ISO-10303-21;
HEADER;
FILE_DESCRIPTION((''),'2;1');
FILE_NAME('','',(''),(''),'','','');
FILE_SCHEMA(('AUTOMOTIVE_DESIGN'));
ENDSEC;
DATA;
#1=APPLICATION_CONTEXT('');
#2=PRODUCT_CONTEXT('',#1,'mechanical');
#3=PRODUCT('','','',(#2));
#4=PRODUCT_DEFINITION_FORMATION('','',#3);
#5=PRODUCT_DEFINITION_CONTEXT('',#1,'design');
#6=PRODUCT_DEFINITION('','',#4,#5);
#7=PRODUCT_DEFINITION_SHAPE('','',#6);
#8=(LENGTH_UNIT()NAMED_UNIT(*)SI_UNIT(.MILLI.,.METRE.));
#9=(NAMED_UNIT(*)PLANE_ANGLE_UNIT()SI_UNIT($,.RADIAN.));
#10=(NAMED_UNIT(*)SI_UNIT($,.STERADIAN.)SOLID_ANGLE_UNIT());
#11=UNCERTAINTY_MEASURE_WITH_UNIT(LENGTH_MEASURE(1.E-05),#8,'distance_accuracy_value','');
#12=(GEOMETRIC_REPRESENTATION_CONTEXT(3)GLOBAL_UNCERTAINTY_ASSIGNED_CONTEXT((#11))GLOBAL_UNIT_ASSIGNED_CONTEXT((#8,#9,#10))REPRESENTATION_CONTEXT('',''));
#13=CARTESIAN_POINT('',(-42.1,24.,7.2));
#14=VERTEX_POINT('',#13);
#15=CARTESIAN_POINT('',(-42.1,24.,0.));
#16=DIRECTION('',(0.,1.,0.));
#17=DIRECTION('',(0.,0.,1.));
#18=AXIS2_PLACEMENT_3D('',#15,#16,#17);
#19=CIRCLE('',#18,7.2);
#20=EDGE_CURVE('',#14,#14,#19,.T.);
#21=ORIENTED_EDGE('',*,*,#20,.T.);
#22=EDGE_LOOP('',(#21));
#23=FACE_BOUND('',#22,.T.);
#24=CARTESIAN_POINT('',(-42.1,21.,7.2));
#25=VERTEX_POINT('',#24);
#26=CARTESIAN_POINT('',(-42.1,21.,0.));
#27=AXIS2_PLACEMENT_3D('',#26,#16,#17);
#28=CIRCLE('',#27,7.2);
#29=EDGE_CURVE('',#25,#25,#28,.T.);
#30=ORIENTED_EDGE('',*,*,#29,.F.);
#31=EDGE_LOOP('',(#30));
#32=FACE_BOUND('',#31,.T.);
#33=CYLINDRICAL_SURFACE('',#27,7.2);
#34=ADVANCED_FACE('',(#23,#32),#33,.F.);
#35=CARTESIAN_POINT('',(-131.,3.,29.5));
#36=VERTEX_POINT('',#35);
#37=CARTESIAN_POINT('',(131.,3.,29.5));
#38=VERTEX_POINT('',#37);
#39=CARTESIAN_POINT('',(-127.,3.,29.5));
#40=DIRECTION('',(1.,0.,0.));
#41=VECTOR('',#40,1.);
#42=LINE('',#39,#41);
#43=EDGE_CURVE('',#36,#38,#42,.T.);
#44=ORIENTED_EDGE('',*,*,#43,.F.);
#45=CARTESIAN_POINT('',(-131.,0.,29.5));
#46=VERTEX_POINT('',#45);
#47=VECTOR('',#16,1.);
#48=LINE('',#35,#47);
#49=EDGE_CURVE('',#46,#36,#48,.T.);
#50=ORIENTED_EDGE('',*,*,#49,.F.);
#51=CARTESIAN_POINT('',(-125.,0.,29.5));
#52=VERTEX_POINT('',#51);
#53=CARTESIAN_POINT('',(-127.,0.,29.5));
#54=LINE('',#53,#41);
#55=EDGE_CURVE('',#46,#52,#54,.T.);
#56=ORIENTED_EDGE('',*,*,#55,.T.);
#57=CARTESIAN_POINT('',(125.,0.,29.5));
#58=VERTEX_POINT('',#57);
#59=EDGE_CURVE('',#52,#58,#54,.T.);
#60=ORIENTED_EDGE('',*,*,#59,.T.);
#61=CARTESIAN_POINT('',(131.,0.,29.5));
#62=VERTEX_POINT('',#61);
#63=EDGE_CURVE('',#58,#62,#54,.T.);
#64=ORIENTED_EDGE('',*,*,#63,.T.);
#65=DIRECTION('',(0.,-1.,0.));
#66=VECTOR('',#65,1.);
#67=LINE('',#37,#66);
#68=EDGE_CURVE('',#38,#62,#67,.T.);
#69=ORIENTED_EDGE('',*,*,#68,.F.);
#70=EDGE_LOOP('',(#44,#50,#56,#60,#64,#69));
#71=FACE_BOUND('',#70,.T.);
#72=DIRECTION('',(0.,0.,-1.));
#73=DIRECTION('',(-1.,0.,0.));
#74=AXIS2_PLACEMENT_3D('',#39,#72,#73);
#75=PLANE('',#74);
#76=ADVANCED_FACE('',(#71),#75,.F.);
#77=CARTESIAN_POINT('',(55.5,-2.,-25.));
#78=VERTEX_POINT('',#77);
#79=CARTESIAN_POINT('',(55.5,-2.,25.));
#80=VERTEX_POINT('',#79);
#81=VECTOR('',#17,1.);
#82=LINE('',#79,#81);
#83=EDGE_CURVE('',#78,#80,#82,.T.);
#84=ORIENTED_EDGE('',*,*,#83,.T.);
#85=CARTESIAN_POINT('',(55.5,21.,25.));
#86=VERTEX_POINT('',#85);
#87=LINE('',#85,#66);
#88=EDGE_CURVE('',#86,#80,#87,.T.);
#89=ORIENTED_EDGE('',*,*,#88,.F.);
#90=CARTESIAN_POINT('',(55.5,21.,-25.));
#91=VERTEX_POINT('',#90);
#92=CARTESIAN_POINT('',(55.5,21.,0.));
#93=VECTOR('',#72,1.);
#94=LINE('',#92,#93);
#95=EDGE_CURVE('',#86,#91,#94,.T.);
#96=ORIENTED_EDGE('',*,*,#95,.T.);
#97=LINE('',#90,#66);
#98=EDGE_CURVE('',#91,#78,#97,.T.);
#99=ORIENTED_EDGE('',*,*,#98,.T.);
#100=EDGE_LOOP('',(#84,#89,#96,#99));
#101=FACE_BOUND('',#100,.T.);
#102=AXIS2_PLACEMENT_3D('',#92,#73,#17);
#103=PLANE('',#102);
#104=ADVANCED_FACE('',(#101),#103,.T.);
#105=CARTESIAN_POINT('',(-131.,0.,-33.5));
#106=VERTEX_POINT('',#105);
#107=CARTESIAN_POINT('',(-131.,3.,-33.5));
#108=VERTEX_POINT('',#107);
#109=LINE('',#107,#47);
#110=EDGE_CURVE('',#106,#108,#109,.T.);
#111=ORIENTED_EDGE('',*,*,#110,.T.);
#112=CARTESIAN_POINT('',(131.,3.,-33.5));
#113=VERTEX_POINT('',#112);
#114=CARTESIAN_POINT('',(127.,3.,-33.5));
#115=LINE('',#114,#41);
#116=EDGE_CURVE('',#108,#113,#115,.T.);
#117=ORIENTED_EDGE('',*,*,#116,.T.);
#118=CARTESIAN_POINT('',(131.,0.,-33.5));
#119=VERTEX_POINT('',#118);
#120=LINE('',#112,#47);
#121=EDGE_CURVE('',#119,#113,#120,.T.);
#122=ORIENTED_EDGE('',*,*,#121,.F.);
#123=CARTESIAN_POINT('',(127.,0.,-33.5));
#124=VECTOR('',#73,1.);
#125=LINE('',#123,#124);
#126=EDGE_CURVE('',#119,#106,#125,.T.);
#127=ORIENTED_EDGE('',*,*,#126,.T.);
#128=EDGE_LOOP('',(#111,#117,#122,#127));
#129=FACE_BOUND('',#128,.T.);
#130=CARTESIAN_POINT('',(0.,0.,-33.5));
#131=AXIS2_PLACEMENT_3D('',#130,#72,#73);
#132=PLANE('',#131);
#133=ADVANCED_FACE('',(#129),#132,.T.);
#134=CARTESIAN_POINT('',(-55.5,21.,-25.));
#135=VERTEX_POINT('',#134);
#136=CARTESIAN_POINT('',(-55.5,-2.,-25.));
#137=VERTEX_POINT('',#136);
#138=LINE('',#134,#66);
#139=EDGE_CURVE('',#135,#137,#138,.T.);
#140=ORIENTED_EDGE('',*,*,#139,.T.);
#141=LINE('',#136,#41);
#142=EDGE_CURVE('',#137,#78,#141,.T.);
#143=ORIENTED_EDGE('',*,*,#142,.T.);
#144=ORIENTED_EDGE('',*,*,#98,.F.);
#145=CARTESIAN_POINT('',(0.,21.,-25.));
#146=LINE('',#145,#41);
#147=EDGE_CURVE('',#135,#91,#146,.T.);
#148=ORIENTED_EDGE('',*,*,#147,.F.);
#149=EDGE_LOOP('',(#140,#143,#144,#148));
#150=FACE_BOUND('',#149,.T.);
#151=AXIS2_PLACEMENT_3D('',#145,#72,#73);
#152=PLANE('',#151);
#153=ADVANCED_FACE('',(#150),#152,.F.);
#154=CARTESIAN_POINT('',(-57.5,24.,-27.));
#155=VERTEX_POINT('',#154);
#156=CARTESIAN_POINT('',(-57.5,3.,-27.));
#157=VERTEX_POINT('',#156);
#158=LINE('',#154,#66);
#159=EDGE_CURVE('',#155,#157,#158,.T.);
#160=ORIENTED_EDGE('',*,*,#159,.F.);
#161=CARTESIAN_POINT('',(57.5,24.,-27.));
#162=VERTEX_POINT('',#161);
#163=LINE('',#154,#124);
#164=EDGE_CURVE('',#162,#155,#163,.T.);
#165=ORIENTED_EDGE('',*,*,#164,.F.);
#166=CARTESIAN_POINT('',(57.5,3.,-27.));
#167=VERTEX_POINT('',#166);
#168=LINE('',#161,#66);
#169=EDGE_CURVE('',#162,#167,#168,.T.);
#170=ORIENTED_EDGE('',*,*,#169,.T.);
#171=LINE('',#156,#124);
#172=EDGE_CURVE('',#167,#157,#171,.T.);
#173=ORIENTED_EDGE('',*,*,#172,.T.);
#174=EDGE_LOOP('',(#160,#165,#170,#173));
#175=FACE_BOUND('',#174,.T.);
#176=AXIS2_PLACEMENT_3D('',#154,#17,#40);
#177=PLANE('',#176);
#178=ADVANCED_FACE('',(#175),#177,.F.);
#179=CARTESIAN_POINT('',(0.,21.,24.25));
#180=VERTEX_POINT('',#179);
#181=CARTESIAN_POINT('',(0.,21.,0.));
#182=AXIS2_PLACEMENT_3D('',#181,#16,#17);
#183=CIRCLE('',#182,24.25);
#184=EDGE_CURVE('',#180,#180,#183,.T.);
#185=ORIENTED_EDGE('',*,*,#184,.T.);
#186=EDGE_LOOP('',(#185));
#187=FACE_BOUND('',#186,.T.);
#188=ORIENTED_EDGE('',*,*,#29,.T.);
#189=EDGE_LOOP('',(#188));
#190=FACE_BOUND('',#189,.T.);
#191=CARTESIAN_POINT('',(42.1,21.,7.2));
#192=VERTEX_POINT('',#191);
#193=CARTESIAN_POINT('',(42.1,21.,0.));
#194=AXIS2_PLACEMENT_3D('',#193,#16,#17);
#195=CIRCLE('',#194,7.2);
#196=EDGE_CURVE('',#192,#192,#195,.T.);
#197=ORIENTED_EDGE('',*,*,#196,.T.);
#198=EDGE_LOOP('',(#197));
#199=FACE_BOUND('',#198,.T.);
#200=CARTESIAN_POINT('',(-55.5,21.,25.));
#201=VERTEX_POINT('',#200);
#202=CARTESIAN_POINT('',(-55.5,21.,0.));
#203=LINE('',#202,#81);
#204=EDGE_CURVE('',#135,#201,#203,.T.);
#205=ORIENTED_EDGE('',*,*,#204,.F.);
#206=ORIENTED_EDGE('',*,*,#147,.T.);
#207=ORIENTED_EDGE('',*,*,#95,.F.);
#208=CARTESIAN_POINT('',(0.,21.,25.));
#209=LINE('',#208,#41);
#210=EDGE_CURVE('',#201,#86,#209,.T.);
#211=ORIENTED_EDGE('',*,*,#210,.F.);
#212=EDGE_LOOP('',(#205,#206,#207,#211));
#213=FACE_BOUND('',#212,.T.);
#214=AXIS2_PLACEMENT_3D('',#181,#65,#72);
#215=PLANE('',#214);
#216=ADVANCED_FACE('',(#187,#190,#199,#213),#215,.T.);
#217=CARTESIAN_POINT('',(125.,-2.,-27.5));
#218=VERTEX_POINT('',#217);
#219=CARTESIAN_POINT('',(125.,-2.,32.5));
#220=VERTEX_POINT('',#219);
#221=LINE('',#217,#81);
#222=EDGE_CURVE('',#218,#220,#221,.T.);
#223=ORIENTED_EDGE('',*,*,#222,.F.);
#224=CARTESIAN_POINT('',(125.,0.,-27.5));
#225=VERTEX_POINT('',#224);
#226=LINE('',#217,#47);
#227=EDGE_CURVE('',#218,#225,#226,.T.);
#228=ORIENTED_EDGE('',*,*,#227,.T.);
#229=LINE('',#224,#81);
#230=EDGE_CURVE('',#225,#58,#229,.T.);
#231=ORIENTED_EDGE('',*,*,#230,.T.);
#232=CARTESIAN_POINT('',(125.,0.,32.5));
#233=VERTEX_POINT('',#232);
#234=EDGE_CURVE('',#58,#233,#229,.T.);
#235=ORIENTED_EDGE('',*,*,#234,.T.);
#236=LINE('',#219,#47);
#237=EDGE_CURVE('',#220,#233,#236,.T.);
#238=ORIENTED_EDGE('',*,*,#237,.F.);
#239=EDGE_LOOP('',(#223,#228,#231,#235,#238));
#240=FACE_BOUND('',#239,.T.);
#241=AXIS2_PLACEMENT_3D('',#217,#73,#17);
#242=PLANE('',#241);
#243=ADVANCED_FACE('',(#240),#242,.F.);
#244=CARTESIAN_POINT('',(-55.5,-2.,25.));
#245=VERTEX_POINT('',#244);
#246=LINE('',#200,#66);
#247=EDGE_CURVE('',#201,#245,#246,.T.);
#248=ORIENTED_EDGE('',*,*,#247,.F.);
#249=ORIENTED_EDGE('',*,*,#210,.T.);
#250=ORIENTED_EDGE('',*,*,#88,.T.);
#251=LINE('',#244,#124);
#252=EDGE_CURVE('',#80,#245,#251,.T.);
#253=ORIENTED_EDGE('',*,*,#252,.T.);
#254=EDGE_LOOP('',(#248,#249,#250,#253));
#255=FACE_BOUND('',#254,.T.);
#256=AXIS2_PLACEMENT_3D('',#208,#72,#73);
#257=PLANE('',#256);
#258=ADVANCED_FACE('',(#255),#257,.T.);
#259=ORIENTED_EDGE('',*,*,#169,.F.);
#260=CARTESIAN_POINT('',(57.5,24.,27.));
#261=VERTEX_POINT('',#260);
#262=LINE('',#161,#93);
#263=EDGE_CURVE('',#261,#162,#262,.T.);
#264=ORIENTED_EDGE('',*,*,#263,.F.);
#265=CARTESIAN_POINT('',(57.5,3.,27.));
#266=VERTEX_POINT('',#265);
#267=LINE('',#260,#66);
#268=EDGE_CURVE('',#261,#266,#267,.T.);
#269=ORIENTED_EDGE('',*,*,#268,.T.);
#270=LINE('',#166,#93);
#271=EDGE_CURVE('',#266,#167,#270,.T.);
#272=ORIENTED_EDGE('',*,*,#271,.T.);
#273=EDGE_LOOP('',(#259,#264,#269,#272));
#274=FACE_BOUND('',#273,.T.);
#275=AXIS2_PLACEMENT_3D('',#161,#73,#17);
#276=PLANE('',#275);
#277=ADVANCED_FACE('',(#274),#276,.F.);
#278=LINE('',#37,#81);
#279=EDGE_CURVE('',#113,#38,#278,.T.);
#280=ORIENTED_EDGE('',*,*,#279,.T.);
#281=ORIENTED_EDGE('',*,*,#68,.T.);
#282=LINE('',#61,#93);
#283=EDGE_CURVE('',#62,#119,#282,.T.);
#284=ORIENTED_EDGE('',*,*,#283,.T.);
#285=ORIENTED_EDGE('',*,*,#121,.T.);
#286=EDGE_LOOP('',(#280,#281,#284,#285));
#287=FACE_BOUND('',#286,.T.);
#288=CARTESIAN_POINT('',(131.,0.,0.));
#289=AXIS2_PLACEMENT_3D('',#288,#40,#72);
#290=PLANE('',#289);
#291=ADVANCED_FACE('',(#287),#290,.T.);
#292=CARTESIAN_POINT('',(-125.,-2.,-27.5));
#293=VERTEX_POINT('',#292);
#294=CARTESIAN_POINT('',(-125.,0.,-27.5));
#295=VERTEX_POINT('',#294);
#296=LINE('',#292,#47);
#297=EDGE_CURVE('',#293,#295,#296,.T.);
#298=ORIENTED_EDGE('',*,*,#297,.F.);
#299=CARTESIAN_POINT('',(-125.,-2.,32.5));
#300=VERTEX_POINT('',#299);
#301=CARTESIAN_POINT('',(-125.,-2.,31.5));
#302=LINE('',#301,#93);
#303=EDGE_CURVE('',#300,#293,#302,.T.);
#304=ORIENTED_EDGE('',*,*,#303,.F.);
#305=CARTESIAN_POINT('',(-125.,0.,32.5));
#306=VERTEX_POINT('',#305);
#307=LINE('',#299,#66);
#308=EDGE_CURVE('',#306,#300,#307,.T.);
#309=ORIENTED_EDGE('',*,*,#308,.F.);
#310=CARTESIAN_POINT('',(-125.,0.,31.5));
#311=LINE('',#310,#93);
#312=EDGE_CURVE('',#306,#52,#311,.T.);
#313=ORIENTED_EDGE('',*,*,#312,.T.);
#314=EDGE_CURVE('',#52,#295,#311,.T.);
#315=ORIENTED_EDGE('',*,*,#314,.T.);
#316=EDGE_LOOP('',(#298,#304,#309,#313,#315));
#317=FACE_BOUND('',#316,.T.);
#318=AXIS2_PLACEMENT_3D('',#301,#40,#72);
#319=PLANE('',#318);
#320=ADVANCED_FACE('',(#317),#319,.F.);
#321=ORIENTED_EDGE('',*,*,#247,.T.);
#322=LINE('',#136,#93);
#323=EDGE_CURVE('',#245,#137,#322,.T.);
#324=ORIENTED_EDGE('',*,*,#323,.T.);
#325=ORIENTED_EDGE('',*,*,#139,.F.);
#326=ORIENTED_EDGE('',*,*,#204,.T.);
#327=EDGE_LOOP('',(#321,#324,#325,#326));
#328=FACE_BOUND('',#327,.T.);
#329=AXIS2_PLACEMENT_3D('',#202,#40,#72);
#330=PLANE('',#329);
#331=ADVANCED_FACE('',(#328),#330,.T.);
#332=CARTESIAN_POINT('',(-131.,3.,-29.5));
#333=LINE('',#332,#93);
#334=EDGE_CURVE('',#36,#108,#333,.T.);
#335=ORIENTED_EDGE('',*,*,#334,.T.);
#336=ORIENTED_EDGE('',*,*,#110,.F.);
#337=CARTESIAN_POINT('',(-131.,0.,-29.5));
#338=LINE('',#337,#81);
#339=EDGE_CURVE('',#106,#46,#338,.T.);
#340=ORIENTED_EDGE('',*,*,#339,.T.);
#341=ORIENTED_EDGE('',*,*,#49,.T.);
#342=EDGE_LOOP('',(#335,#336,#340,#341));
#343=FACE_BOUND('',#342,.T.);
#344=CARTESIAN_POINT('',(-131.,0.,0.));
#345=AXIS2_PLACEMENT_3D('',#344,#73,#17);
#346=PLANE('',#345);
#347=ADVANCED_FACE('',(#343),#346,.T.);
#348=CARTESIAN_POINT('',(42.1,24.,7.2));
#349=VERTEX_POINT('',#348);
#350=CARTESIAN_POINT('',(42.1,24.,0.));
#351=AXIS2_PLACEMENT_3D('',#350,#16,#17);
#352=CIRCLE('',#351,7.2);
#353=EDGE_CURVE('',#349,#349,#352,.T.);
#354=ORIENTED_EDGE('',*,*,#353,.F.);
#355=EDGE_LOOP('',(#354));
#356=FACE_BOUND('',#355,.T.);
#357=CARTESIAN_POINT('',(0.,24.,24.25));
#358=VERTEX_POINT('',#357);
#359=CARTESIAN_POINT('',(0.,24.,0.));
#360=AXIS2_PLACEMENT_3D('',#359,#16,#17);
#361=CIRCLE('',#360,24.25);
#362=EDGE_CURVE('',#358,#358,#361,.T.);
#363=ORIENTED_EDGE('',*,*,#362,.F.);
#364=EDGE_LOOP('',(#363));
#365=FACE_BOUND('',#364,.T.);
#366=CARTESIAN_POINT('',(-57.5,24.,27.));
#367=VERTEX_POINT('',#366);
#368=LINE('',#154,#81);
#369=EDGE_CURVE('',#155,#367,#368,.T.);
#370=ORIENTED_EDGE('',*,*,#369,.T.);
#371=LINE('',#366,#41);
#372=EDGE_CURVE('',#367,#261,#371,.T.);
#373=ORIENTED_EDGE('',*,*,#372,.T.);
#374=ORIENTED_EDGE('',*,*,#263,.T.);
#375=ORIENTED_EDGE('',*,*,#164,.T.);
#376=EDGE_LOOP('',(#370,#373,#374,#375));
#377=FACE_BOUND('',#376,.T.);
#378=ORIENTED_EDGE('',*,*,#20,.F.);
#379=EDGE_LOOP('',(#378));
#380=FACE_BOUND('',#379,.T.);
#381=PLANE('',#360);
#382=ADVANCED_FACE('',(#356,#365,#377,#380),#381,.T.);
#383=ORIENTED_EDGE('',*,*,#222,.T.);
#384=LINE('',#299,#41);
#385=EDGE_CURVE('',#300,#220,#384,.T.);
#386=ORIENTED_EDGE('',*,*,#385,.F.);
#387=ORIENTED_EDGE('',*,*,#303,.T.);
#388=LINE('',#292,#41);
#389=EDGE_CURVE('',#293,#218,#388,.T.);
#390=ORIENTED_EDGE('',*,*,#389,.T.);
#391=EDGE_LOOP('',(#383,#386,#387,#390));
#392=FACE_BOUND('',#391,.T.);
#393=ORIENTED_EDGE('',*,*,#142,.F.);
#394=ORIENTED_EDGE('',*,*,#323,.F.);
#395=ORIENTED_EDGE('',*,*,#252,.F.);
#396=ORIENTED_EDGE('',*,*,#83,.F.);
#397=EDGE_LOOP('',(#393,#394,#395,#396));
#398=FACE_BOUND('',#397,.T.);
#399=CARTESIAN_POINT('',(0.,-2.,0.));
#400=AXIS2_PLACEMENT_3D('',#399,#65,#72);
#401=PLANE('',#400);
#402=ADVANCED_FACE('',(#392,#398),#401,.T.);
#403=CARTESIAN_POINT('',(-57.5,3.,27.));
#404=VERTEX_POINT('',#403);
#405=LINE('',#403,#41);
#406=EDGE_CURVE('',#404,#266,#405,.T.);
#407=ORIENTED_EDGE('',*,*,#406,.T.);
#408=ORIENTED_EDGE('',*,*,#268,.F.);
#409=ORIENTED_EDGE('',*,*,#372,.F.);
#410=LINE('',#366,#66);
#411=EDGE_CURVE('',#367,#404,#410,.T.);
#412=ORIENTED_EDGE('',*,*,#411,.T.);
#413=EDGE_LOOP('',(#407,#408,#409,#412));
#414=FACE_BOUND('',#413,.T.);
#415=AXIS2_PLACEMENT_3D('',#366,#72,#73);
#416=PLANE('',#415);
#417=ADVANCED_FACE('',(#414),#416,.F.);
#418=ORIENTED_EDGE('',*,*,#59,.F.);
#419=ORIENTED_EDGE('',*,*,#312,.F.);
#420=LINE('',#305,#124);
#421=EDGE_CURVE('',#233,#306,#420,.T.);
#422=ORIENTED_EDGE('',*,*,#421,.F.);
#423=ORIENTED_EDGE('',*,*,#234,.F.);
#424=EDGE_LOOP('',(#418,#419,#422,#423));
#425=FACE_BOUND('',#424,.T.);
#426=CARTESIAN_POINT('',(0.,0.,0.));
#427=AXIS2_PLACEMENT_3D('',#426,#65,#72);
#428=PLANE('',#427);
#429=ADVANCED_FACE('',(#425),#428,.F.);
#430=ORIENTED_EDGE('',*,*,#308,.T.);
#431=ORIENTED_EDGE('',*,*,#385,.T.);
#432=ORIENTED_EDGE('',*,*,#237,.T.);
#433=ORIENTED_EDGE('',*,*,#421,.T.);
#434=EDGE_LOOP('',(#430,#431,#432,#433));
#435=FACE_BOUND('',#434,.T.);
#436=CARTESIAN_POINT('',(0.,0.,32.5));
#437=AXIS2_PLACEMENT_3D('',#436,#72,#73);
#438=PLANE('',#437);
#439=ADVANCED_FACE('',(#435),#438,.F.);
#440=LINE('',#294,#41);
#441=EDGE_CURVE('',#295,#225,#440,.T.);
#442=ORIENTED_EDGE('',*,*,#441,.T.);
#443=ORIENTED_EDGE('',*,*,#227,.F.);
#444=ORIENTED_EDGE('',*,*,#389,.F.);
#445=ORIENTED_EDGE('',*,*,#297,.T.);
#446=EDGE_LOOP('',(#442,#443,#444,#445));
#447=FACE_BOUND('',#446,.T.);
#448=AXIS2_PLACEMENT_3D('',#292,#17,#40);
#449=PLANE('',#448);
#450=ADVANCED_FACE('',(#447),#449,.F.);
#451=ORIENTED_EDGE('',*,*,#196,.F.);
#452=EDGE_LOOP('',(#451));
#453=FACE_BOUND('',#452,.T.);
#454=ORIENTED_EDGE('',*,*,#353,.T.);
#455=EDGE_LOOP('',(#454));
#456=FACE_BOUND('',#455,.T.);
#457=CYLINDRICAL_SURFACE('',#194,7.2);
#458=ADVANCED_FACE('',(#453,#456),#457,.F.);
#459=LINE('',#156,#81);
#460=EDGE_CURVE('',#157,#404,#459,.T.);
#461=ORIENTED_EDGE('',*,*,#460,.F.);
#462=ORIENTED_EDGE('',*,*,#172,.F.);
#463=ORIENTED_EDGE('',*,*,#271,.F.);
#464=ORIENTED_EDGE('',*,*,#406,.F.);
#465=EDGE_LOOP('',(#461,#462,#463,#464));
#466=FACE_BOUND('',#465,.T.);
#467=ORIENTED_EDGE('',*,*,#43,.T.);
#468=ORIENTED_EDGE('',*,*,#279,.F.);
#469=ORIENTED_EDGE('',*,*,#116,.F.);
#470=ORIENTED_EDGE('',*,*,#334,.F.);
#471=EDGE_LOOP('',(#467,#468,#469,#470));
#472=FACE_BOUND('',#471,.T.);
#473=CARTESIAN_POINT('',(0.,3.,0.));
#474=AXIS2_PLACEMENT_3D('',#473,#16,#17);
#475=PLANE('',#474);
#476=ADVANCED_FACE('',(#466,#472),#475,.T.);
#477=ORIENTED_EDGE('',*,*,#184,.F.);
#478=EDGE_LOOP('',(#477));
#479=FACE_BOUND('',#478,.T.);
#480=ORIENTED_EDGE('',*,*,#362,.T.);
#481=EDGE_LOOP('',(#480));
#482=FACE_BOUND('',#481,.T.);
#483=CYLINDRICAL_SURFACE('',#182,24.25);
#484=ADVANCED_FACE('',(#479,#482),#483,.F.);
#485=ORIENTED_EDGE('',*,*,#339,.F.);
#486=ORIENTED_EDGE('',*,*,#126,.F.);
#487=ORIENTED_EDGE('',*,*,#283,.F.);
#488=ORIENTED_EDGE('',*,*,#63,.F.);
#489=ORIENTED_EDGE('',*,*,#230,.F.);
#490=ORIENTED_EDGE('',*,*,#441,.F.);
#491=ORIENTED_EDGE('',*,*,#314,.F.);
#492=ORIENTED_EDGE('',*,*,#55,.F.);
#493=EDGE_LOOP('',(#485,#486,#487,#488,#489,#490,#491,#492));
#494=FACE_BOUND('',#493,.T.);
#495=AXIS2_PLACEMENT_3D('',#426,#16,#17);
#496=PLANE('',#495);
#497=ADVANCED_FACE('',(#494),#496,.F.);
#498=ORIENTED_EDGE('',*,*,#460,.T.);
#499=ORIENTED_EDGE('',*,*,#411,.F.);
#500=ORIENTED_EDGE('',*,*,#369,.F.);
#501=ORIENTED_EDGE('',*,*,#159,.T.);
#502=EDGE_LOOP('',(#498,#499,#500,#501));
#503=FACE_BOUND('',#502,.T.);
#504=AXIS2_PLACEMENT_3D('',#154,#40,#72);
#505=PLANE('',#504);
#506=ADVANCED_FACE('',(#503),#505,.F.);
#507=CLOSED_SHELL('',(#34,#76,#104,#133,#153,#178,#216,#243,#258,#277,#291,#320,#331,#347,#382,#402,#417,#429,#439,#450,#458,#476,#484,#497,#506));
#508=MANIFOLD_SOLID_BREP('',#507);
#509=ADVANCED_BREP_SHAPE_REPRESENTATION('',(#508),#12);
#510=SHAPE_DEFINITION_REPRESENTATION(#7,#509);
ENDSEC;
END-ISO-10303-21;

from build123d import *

# Parameters (mm, degrees)
SKETCH1_W           = 254
SKETCH1_H           = 59
BOSS_EXTRUDE1_DEPTH = 3
SKETCH2_W           = 115
SKETCH2_H           = 54
BOSS_EXTRUDE2_DEPTH = 21
SKETCH3_W           = 111
SKETCH3_H           = 50
CUT_EXTRUDE3_DEPTH  = 21
SKETCH4_R           = 7.2
SKETCH4_R_2         = 24.25
CUT_EXTRUDE4_DEPTH  = 3
SKETCH5_W           = 250
SKETCH5_H           = 59
SKETCH5_W_2         = 111
SKETCH5_H_2         = 50
BOSS_EXTRUDE3_DEPTH = 2
SKETCH6_W           = 59
SKETCH6_H           = 3
BOSS_EXTRUDE4_DEPTH = 4
SKETCH7_W           = 258
SKETCH7_H           = 3
BOSS_EXTRUDE5_DEPTH = 4
SKETCH8_W           = 63
SKETCH8_H           = 3
BOSS_EXTRUDE6_DEPTH = 4
SKETCH9_W           = 250
SKETCH9_H           = 2
BOSS_EXTRUDE7_DEPTH = 1


with BuildPart() as part:
    # Sketch1 → Boss-Extrude1 (new body)
    with BuildSketch(Plane(origin=(0, 0, 0), x_dir=(1, 0, 0), z_dir=(0, 1, 0))):
        Rectangle(SKETCH1_W, SKETCH1_H)
    extrude(amount=BOSS_EXTRUDE1_DEPTH)

    # Sketch2 → Boss-Extrude2 (add)
    with BuildSketch(Plane(origin=(0, 3, 0), x_dir=(1, 0, 0), z_dir=(0, 1, 0))):
        Rectangle(SKETCH2_W, SKETCH2_H)
    extrude(amount=BOSS_EXTRUDE2_DEPTH)

    # Sketch3 → Cut-Extrude3 (cut)
    with BuildSketch(Plane.XZ):
        Rectangle(SKETCH3_W, SKETCH3_H)
    extrude(amount=-CUT_EXTRUDE3_DEPTH, mode=Mode.SUBTRACT)

    # Sketch4 → Cut-Extrude4 (cut)
    with BuildSketch(Plane(origin=(0, 24, 0), x_dir=(1, 0, 0), z_dir=(0, 1, 0))):
        with Locations((-42.1, 0)):
            Circle(SKETCH4_R)
        Circle(SKETCH4_R_2)
        with Locations((42.1, 0)):
            Circle(SKETCH4_R)
    extrude(amount=-CUT_EXTRUDE4_DEPTH, mode=Mode.SUBTRACT)

    # Sketch5 → Boss-Extrude3 (add)
    with BuildSketch(Plane.XZ):
        with Locations((0, 2)):
            Rectangle(SKETCH5_W, SKETCH5_H)
        Rectangle(SKETCH5_W_2, SKETCH5_H_2, mode=Mode.SUBTRACT)
    extrude(amount=BOSS_EXTRUDE3_DEPTH)

    # Sketch6 → Boss-Extrude4 (add)
    with BuildSketch(Plane.ZY.offset(127)):
        with Locations((0, 1.5)):
            Rectangle(SKETCH6_W, SKETCH6_H)
    extrude(amount=BOSS_EXTRUDE4_DEPTH)

    # Sketch7 → Boss-Extrude5 (add)
    with BuildSketch(Plane(origin=(0, 0, -29.5), x_dir=(-1, 0, 0), z_dir=(0, 0, -1))):
        with Locations((2, 1.5)):
            Rectangle(SKETCH7_W, SKETCH7_H)
    extrude(amount=BOSS_EXTRUDE5_DEPTH)

    # Sketch8 → Boss-Extrude6 (add)
    with BuildSketch(Plane(origin=(127, 0, 0), x_dir=(0, 0, -1), z_dir=(1, 0, 0))):
        with Locations((2, 1.5)):
            Rectangle(SKETCH8_W, SKETCH8_H)
    extrude(amount=BOSS_EXTRUDE6_DEPTH)

    # Sketch9 → Boss-Extrude7 (add)
    with BuildSketch(Plane.XY.offset(31.5)):
        with Locations((0, -1)):
            Rectangle(SKETCH9_W, SKETCH9_H)
    extrude(amount=BOSS_EXTRUDE7_DEPTH)


solid = part.part
